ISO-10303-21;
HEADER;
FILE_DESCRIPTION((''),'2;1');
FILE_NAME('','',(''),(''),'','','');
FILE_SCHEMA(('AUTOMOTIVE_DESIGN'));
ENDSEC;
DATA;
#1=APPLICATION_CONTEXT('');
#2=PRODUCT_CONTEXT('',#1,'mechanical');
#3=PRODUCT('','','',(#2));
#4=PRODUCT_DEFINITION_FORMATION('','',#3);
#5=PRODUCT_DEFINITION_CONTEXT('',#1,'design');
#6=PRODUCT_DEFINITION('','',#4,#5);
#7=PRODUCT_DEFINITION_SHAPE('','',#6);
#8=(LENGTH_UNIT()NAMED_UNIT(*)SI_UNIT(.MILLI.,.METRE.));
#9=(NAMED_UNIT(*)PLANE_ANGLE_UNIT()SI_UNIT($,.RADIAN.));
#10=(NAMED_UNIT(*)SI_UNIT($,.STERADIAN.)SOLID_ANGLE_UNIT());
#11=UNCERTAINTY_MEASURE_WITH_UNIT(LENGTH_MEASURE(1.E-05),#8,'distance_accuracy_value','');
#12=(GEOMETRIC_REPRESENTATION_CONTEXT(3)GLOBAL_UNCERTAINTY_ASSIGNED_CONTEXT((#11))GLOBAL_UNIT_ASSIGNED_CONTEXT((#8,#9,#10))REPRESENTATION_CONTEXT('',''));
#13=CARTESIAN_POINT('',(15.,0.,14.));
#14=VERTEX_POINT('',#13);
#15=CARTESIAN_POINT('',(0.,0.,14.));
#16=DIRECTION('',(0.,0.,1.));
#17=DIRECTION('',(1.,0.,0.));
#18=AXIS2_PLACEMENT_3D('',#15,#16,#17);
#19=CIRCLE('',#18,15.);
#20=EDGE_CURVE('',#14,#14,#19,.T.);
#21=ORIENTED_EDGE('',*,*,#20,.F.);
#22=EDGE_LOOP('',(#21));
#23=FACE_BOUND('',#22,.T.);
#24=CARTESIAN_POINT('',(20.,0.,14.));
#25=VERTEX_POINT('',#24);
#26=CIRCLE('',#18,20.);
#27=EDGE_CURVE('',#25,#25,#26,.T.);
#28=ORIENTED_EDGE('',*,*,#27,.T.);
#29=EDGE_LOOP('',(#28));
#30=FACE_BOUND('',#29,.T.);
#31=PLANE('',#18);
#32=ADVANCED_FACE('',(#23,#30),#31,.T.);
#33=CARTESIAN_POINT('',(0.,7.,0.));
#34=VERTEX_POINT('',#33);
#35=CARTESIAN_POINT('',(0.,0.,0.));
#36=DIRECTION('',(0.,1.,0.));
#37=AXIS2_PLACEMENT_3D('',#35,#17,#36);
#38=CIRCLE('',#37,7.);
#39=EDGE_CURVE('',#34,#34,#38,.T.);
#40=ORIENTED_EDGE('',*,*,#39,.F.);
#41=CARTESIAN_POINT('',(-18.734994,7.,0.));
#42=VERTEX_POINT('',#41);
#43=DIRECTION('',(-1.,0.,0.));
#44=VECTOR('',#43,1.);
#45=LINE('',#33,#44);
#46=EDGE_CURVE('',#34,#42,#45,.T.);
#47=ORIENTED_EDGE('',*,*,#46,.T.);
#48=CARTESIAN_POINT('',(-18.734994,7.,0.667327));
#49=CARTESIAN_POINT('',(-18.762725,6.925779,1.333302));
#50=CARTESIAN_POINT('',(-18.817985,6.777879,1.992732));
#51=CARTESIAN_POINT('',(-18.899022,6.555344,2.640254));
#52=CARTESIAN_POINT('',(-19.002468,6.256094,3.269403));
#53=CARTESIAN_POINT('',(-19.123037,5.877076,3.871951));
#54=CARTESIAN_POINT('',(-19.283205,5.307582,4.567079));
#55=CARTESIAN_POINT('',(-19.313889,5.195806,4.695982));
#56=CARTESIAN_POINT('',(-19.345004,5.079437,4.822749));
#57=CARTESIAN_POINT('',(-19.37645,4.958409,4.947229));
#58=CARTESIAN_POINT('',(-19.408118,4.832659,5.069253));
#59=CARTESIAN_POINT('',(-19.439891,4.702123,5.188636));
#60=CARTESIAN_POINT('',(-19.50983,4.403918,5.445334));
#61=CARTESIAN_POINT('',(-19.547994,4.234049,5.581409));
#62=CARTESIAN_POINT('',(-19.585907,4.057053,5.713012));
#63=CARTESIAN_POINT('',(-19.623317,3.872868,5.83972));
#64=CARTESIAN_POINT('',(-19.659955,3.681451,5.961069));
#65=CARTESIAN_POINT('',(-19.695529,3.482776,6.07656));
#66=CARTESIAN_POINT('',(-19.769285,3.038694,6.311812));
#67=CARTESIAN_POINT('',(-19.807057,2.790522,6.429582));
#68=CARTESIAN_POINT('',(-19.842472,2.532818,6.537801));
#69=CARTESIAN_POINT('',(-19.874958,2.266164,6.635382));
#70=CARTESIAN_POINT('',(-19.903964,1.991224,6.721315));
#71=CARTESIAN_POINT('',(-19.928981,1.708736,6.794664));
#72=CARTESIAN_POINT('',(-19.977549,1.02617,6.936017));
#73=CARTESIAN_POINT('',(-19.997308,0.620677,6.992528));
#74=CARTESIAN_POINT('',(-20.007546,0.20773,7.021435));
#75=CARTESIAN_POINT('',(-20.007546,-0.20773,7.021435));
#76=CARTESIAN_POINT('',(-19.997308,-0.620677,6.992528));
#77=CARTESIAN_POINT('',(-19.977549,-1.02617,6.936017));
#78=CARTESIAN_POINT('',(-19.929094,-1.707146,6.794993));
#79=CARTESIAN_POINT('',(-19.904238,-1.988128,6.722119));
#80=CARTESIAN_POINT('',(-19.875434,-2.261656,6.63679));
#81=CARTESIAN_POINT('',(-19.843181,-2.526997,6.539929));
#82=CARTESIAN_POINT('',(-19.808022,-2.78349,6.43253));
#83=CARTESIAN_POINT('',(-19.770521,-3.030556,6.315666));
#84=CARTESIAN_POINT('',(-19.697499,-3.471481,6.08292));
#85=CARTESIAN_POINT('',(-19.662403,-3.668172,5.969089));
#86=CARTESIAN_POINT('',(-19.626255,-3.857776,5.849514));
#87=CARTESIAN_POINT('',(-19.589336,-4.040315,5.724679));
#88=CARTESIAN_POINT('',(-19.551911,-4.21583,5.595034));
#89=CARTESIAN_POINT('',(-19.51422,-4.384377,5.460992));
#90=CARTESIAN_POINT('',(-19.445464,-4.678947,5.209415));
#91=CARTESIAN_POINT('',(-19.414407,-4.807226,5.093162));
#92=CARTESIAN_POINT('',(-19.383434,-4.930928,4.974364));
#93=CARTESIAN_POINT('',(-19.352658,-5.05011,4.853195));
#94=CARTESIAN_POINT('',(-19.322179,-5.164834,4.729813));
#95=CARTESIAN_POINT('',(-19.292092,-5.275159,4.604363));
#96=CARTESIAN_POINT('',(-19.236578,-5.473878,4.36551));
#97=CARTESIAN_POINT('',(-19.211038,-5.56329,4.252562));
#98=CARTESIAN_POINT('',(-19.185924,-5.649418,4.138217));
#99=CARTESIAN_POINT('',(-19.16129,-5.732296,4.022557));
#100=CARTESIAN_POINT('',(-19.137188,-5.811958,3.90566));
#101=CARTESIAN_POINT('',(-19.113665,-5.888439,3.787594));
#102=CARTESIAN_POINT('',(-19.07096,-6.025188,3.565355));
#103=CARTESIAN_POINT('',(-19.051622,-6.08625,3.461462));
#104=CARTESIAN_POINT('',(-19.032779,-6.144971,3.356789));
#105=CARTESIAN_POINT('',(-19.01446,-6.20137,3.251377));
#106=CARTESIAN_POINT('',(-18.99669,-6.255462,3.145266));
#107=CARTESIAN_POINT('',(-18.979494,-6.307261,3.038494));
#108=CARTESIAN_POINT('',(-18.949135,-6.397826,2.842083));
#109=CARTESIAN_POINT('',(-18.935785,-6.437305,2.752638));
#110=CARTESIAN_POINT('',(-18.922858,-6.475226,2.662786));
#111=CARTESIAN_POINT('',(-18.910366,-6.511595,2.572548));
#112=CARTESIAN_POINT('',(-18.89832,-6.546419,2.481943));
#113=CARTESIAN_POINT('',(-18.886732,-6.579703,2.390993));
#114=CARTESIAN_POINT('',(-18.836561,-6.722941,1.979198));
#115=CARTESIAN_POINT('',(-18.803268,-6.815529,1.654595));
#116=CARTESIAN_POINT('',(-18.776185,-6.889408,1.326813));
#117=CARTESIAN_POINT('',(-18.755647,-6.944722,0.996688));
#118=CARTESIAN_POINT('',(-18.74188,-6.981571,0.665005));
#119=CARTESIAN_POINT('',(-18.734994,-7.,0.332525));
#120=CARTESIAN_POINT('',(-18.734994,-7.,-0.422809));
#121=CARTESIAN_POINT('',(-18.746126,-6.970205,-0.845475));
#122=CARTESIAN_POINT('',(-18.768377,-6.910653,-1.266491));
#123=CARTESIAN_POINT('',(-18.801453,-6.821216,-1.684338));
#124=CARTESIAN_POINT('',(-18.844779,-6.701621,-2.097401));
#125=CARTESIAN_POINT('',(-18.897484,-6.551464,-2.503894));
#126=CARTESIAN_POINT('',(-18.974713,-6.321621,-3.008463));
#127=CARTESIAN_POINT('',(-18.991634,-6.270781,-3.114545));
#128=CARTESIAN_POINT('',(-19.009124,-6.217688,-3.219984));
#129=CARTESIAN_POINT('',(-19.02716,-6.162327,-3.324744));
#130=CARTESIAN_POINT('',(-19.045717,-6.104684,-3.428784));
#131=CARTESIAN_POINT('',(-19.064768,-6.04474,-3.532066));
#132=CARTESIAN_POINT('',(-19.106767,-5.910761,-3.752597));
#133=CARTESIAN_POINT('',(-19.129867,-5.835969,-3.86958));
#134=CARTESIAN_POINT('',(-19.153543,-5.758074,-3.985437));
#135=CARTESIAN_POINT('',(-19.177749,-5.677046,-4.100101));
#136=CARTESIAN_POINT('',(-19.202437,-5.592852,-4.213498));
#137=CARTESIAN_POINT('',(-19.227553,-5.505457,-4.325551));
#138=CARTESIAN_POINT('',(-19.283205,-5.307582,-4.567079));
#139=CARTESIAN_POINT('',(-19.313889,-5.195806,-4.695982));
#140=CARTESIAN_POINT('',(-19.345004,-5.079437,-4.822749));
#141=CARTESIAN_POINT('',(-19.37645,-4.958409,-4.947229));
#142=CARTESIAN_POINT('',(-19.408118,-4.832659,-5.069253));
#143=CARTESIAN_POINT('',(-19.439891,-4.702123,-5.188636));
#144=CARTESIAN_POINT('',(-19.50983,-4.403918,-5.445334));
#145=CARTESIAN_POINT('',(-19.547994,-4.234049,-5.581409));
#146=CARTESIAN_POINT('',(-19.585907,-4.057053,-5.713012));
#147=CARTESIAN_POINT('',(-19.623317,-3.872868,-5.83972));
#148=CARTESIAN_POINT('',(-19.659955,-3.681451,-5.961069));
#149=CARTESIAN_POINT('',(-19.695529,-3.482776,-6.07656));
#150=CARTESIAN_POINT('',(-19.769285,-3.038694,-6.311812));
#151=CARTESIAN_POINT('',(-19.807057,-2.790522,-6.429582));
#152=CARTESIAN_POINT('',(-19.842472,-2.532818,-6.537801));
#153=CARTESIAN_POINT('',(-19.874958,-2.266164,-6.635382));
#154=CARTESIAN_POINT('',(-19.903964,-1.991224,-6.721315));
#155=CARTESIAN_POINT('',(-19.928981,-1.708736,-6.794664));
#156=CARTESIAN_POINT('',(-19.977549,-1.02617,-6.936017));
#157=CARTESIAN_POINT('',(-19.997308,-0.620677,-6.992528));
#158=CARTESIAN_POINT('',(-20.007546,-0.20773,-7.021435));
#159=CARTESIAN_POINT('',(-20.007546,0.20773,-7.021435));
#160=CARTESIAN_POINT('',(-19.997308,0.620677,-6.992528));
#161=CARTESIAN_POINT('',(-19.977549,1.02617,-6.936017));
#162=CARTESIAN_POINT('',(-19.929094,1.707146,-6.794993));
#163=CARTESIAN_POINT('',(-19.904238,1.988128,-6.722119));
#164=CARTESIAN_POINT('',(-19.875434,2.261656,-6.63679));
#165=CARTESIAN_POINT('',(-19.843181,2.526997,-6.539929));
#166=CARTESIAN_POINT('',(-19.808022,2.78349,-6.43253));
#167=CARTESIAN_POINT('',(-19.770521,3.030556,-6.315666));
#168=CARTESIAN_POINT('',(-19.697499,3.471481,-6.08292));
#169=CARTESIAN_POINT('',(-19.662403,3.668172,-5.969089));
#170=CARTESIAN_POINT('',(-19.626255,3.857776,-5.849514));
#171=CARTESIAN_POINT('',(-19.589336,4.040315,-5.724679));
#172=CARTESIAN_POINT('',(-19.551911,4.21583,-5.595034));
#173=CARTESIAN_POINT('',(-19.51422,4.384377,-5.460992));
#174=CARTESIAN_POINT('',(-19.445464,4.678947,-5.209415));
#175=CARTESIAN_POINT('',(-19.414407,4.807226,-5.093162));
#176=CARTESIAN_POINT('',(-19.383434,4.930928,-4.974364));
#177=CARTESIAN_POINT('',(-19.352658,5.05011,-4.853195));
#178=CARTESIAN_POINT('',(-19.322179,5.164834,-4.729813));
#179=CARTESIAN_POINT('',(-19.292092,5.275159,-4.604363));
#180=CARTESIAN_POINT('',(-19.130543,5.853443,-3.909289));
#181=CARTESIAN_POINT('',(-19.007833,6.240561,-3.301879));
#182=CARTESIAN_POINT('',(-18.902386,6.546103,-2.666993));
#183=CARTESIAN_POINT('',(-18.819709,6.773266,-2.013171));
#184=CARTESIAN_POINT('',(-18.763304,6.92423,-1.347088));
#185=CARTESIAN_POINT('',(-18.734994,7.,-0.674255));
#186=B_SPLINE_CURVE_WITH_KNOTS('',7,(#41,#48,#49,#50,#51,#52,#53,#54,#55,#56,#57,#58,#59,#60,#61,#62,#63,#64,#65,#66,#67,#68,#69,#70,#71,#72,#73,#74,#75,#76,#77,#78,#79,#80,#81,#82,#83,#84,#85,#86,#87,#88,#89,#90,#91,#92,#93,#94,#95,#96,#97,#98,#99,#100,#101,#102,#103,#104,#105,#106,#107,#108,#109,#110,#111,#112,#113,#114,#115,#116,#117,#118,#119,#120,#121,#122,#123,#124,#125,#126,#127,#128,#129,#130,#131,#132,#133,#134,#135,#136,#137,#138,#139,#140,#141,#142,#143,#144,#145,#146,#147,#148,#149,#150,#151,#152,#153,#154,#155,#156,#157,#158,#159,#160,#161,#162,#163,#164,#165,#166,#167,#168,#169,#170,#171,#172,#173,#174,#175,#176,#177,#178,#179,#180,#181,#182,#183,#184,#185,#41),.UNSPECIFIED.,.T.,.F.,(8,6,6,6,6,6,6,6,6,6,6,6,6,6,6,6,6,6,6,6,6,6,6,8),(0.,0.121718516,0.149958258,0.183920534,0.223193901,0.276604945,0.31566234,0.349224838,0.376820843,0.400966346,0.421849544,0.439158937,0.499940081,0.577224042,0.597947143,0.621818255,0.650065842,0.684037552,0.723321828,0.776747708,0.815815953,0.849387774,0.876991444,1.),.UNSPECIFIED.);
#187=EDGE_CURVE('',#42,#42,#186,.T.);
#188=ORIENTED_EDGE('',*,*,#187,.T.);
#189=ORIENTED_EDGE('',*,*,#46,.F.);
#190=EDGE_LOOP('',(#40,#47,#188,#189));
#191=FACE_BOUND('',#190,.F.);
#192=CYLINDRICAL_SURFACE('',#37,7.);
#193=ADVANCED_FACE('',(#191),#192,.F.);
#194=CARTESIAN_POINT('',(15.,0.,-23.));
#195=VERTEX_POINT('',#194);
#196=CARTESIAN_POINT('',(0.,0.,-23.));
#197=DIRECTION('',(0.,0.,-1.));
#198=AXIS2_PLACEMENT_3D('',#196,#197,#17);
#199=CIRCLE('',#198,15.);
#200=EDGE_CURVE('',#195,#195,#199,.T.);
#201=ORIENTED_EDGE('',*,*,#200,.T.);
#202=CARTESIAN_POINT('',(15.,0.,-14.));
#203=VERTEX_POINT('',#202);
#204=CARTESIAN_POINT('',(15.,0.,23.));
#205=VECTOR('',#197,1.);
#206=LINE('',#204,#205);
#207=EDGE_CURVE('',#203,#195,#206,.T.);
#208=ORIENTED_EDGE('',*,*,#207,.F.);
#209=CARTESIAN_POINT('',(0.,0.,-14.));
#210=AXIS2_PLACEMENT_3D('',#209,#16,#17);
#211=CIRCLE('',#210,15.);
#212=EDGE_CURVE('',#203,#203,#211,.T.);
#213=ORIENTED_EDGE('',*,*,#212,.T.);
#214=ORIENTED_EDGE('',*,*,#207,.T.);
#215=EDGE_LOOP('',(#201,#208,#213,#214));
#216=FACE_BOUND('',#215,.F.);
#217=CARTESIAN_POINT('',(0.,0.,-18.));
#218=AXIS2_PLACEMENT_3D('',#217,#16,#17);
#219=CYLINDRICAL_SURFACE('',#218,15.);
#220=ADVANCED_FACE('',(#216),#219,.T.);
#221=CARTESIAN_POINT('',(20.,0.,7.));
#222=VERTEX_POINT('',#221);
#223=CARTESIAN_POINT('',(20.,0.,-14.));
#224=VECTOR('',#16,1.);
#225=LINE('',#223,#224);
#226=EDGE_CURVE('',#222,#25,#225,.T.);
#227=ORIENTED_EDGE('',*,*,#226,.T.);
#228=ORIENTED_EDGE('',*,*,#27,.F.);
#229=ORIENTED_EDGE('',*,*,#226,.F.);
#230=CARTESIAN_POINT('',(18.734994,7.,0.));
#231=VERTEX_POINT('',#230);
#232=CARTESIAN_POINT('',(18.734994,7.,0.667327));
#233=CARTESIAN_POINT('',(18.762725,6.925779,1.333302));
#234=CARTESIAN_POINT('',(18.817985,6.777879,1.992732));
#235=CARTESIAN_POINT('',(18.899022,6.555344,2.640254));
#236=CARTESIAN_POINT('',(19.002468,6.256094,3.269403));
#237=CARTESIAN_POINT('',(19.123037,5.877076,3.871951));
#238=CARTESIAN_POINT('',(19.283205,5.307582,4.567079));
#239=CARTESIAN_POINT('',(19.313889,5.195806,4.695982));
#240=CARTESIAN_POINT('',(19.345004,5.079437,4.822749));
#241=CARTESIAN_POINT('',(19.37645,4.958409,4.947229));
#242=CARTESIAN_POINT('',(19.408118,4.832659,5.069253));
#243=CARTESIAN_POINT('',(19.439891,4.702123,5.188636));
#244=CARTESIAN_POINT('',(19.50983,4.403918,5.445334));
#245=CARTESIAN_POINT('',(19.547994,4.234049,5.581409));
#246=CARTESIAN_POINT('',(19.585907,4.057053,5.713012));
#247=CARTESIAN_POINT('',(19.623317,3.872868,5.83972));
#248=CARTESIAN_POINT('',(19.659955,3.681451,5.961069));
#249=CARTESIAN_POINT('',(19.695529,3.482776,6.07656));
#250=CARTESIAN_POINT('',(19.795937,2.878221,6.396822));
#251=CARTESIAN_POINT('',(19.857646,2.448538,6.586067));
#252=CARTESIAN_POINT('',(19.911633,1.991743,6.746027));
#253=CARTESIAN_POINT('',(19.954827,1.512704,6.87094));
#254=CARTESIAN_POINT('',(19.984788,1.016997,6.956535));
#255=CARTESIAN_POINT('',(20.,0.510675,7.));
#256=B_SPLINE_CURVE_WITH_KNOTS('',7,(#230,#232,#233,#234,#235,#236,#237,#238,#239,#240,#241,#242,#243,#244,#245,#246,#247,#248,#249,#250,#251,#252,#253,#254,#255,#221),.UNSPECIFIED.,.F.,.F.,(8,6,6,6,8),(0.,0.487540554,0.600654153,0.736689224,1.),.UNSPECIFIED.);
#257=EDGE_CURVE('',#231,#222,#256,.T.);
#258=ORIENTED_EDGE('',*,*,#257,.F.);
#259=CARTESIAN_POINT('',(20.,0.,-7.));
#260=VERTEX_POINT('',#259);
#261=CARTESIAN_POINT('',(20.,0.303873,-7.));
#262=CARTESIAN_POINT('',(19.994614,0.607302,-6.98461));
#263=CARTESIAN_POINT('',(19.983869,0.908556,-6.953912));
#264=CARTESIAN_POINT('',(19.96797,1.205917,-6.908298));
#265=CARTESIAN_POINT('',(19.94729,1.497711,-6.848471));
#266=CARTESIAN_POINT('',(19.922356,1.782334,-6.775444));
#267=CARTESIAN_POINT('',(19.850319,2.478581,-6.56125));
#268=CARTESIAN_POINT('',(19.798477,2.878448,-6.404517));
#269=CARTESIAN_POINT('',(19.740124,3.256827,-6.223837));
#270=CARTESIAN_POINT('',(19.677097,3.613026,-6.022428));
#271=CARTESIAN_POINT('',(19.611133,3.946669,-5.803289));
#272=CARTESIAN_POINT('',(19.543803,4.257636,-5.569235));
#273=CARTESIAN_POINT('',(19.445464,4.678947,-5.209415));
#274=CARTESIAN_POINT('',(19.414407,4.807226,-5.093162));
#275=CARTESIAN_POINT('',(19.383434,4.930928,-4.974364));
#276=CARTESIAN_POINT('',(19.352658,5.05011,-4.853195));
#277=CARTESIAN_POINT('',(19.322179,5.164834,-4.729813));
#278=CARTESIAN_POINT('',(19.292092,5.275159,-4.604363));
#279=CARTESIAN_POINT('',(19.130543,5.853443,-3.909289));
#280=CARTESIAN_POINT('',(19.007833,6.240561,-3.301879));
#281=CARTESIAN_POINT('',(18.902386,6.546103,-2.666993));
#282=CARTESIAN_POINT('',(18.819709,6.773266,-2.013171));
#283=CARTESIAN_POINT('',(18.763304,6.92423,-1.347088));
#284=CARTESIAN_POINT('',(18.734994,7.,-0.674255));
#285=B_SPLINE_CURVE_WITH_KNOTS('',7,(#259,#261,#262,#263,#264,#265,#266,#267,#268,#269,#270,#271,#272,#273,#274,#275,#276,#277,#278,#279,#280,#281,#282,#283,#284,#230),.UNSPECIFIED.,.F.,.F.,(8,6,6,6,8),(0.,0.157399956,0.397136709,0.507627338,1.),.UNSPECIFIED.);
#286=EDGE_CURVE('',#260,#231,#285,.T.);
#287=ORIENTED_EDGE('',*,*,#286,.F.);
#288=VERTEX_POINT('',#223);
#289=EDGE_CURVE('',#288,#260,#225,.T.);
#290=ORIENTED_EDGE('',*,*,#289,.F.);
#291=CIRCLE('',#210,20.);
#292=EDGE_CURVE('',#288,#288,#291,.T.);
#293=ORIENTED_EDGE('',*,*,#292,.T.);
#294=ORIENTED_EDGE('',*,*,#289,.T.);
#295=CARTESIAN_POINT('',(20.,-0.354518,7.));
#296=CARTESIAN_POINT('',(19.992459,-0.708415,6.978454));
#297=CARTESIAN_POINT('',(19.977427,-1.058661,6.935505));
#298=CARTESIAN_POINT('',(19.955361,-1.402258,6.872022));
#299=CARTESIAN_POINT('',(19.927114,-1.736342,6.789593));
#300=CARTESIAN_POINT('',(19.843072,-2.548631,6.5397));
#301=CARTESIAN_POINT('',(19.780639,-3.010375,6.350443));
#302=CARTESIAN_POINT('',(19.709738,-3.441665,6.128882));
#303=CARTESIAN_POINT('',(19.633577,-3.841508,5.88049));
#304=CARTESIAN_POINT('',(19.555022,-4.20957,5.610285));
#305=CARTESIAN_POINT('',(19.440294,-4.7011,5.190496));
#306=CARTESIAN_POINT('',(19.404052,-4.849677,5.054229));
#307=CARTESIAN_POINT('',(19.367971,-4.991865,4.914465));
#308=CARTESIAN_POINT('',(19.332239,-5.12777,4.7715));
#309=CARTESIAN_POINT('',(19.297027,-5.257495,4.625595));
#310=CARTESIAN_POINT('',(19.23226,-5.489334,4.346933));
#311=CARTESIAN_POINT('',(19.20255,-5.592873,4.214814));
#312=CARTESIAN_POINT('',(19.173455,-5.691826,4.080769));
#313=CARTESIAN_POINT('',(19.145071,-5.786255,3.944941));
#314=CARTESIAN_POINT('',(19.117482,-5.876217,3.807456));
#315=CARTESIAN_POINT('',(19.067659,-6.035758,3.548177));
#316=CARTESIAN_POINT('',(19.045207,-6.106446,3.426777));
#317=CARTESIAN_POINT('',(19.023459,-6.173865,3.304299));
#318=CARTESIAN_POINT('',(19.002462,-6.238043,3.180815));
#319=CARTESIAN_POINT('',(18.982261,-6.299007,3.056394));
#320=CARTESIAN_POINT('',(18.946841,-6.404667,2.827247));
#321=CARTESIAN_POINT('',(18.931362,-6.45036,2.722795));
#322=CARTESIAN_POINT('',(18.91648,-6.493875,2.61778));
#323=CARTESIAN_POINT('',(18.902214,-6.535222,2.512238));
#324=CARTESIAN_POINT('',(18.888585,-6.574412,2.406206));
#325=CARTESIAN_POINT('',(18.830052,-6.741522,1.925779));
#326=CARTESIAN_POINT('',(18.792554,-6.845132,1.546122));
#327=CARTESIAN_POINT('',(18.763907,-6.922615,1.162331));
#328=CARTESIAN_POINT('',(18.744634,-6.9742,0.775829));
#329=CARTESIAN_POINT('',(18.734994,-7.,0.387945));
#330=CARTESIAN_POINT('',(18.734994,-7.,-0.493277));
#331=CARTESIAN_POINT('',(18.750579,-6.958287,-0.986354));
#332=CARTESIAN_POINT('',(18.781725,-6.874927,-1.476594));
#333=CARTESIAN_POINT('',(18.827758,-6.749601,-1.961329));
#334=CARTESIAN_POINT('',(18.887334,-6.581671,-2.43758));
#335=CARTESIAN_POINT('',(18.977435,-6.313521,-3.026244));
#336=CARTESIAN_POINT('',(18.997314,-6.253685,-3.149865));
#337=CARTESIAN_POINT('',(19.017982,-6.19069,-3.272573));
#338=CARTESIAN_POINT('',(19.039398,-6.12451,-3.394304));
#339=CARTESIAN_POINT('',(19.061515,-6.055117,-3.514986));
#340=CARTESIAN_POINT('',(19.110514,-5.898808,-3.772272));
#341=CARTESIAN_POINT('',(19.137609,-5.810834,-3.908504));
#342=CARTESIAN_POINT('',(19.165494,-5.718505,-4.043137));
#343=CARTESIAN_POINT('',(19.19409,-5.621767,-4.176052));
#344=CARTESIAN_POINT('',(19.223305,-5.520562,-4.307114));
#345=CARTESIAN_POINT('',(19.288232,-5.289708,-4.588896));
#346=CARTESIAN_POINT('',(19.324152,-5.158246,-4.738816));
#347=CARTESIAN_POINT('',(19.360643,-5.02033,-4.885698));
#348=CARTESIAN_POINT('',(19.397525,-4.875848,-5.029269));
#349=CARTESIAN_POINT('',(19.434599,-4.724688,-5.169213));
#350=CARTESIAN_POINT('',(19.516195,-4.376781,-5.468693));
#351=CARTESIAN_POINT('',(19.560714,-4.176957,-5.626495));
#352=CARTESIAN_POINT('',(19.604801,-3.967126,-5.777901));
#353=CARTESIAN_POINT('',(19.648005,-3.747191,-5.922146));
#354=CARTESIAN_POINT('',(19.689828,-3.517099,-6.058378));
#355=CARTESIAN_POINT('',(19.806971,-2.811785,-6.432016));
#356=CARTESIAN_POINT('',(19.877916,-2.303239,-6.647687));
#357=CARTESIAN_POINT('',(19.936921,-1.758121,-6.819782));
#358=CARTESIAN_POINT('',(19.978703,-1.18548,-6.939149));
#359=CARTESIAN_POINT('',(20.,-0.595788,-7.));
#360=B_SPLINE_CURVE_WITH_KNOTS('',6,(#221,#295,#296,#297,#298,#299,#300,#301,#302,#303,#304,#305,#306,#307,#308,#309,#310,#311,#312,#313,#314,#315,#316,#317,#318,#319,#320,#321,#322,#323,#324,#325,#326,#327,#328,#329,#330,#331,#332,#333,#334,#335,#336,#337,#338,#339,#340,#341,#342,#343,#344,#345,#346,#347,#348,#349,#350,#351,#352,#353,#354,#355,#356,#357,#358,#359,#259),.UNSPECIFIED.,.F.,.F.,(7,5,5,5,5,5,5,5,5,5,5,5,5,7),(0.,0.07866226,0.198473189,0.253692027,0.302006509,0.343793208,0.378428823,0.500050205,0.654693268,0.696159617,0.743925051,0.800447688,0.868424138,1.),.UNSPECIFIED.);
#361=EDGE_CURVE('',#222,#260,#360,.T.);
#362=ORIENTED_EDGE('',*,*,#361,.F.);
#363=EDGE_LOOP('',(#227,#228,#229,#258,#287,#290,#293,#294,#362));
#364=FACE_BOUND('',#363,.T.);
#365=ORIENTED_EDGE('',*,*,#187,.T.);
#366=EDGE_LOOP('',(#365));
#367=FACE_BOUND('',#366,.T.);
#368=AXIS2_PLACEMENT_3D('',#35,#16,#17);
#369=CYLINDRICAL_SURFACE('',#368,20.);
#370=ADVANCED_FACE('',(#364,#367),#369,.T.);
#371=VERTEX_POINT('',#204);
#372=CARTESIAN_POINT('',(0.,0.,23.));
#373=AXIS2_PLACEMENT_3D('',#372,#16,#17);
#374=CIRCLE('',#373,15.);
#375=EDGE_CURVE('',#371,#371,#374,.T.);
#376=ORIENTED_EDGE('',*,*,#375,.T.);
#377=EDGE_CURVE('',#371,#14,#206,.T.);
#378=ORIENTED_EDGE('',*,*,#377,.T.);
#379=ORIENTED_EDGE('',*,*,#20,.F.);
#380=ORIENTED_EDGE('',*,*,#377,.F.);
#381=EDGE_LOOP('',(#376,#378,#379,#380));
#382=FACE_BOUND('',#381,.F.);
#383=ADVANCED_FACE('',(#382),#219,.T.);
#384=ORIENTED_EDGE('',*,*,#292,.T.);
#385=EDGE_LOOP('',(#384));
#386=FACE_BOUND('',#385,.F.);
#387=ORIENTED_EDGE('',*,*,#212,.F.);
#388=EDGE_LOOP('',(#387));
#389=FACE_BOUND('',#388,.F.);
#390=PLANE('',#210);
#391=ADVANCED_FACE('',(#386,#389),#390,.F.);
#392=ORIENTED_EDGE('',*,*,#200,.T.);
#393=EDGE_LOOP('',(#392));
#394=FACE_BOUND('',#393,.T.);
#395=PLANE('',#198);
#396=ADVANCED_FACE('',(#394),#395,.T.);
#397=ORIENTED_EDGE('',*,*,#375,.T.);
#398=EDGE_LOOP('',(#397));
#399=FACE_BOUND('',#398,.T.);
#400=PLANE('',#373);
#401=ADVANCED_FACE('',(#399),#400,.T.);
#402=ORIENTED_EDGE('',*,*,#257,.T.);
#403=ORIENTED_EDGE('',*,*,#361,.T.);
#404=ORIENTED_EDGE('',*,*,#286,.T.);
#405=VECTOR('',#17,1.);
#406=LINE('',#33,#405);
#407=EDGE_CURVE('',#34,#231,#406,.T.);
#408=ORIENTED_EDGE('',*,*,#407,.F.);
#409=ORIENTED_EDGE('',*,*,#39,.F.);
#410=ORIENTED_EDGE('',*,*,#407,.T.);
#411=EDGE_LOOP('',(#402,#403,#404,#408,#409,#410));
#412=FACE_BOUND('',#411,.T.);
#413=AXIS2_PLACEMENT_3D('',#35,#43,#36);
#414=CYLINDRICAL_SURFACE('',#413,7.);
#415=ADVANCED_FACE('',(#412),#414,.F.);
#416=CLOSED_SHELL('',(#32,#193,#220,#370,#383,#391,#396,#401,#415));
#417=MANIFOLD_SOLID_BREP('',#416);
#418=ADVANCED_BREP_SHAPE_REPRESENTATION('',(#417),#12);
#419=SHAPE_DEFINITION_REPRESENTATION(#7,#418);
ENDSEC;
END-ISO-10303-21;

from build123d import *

# Parameters (mm, degrees)
F0_R          = 15
F1_DEPTH      = 18
F2_R          = 15
F3_DEPTH      = 5
F4_R          = 15
F5_DEPTH      = 5
F7_R          = 20
F8_DEPTH      = 14
F8_DEPTH_BACK = 14
F6_R          = 7
F9_DEPTH      = 20.001
F9_DEPTH_BACK = 20.001


with BuildPart() as f1:
    # F0 (on Top) → F1 (new body, symmetric)
    with BuildSketch(Plane.XY):
        Circle(F0_R)
    extrude(amount=F1_DEPTH, both=True)

    # F2 (on face) → F3 (join)
    with BuildSketch(Plane.XY.offset(18)):
        Circle(F2_R)
    extrude(amount=F3_DEPTH)

    # F4 (on face) → F5 (join)
    with BuildSketch(Plane(origin=(0, 0, -18), x_dir=(1, 0, 0), z_dir=(0, 0, -1))):
        Circle(F4_R)
    extrude(amount=F5_DEPTH)

    # F7 (on Top) → F8 (join, two sides)
    with BuildSketch(Plane.XY) as f8_sk:
        Circle(F7_R)
    extrude(amount=F8_DEPTH)
    extrude(f8_sk.sketch, amount=-F8_DEPTH_BACK)

    # F6 (on Right) → F9 (cut, two sides)
    with BuildSketch(Plane.YZ) as f9_sk:
        Circle(F6_R)
    extrude(amount=-F9_DEPTH, mode=Mode.SUBTRACT)
    extrude(f9_sk.sketch, amount=F9_DEPTH_BACK, mode=Mode.SUBTRACT)


solid = f1.part
